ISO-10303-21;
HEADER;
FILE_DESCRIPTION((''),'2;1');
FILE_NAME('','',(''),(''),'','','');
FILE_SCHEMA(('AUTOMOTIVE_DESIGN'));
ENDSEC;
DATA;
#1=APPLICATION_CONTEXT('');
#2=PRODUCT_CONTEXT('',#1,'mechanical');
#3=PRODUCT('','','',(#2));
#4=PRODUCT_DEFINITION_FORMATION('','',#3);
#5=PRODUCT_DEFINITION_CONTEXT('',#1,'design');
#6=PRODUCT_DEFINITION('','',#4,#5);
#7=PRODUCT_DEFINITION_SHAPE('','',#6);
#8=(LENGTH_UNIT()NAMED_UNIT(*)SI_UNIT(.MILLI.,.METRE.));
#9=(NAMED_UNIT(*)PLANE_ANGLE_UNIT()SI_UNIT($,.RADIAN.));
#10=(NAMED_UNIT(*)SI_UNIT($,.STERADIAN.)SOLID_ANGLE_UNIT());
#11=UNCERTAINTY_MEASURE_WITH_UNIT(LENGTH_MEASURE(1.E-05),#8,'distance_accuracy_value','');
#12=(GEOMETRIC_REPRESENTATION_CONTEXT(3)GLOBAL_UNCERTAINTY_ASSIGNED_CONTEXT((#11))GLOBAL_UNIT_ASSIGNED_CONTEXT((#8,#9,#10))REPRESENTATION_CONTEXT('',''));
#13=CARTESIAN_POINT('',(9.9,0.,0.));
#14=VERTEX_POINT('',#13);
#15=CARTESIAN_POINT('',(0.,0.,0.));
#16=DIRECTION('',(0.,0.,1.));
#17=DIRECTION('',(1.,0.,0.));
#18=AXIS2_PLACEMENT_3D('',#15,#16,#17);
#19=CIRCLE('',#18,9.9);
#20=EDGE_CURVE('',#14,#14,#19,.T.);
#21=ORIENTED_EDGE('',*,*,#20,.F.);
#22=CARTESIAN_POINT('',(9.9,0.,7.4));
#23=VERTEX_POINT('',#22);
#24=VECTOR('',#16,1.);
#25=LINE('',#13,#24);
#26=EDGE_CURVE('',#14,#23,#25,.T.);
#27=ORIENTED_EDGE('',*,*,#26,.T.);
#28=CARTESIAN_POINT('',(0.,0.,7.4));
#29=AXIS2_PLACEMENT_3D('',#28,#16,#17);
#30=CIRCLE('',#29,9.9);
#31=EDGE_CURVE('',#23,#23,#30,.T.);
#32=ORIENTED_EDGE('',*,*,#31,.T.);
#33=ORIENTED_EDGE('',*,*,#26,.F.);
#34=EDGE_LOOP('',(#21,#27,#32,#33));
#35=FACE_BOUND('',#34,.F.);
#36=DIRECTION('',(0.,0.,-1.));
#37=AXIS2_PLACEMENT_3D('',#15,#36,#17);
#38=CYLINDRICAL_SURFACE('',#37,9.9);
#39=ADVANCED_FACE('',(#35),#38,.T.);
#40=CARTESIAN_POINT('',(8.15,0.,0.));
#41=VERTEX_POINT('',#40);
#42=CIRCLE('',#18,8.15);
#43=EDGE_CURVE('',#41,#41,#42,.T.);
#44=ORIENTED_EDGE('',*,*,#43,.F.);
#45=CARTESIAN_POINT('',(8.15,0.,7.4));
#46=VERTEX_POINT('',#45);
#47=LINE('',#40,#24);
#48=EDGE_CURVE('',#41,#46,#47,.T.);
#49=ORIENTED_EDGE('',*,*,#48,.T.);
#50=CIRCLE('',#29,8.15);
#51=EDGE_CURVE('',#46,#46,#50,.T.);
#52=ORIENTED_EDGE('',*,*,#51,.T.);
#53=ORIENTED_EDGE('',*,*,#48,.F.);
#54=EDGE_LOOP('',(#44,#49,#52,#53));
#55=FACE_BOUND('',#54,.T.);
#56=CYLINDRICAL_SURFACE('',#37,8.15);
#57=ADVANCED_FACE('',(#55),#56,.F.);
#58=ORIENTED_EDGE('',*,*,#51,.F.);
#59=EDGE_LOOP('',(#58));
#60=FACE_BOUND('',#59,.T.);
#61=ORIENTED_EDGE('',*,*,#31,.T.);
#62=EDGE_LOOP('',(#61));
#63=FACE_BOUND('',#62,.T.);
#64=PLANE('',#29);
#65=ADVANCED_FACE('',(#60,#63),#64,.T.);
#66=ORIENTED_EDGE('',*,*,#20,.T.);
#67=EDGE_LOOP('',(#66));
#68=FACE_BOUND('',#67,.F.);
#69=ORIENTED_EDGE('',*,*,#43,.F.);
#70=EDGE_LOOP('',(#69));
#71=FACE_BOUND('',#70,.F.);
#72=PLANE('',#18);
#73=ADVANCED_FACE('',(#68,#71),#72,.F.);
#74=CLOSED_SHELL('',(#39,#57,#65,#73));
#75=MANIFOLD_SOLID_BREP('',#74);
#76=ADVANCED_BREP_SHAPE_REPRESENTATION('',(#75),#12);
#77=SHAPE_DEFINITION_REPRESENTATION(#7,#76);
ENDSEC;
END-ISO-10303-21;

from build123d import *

# Parameters (mm, degrees)
SKETCH_R   = 9.9
SKETCH_R_2 = 8.15
PAD_DEPTH  = 7.4


with BuildPart() as part:
    # Sketch → Pad (new body)
    with BuildSketch(Plane.XY):
        Circle(SKETCH_R)
        Circle(SKETCH_R_2, mode=Mode.SUBTRACT)
    extrude(amount=PAD_DEPTH)


solid = part.part
